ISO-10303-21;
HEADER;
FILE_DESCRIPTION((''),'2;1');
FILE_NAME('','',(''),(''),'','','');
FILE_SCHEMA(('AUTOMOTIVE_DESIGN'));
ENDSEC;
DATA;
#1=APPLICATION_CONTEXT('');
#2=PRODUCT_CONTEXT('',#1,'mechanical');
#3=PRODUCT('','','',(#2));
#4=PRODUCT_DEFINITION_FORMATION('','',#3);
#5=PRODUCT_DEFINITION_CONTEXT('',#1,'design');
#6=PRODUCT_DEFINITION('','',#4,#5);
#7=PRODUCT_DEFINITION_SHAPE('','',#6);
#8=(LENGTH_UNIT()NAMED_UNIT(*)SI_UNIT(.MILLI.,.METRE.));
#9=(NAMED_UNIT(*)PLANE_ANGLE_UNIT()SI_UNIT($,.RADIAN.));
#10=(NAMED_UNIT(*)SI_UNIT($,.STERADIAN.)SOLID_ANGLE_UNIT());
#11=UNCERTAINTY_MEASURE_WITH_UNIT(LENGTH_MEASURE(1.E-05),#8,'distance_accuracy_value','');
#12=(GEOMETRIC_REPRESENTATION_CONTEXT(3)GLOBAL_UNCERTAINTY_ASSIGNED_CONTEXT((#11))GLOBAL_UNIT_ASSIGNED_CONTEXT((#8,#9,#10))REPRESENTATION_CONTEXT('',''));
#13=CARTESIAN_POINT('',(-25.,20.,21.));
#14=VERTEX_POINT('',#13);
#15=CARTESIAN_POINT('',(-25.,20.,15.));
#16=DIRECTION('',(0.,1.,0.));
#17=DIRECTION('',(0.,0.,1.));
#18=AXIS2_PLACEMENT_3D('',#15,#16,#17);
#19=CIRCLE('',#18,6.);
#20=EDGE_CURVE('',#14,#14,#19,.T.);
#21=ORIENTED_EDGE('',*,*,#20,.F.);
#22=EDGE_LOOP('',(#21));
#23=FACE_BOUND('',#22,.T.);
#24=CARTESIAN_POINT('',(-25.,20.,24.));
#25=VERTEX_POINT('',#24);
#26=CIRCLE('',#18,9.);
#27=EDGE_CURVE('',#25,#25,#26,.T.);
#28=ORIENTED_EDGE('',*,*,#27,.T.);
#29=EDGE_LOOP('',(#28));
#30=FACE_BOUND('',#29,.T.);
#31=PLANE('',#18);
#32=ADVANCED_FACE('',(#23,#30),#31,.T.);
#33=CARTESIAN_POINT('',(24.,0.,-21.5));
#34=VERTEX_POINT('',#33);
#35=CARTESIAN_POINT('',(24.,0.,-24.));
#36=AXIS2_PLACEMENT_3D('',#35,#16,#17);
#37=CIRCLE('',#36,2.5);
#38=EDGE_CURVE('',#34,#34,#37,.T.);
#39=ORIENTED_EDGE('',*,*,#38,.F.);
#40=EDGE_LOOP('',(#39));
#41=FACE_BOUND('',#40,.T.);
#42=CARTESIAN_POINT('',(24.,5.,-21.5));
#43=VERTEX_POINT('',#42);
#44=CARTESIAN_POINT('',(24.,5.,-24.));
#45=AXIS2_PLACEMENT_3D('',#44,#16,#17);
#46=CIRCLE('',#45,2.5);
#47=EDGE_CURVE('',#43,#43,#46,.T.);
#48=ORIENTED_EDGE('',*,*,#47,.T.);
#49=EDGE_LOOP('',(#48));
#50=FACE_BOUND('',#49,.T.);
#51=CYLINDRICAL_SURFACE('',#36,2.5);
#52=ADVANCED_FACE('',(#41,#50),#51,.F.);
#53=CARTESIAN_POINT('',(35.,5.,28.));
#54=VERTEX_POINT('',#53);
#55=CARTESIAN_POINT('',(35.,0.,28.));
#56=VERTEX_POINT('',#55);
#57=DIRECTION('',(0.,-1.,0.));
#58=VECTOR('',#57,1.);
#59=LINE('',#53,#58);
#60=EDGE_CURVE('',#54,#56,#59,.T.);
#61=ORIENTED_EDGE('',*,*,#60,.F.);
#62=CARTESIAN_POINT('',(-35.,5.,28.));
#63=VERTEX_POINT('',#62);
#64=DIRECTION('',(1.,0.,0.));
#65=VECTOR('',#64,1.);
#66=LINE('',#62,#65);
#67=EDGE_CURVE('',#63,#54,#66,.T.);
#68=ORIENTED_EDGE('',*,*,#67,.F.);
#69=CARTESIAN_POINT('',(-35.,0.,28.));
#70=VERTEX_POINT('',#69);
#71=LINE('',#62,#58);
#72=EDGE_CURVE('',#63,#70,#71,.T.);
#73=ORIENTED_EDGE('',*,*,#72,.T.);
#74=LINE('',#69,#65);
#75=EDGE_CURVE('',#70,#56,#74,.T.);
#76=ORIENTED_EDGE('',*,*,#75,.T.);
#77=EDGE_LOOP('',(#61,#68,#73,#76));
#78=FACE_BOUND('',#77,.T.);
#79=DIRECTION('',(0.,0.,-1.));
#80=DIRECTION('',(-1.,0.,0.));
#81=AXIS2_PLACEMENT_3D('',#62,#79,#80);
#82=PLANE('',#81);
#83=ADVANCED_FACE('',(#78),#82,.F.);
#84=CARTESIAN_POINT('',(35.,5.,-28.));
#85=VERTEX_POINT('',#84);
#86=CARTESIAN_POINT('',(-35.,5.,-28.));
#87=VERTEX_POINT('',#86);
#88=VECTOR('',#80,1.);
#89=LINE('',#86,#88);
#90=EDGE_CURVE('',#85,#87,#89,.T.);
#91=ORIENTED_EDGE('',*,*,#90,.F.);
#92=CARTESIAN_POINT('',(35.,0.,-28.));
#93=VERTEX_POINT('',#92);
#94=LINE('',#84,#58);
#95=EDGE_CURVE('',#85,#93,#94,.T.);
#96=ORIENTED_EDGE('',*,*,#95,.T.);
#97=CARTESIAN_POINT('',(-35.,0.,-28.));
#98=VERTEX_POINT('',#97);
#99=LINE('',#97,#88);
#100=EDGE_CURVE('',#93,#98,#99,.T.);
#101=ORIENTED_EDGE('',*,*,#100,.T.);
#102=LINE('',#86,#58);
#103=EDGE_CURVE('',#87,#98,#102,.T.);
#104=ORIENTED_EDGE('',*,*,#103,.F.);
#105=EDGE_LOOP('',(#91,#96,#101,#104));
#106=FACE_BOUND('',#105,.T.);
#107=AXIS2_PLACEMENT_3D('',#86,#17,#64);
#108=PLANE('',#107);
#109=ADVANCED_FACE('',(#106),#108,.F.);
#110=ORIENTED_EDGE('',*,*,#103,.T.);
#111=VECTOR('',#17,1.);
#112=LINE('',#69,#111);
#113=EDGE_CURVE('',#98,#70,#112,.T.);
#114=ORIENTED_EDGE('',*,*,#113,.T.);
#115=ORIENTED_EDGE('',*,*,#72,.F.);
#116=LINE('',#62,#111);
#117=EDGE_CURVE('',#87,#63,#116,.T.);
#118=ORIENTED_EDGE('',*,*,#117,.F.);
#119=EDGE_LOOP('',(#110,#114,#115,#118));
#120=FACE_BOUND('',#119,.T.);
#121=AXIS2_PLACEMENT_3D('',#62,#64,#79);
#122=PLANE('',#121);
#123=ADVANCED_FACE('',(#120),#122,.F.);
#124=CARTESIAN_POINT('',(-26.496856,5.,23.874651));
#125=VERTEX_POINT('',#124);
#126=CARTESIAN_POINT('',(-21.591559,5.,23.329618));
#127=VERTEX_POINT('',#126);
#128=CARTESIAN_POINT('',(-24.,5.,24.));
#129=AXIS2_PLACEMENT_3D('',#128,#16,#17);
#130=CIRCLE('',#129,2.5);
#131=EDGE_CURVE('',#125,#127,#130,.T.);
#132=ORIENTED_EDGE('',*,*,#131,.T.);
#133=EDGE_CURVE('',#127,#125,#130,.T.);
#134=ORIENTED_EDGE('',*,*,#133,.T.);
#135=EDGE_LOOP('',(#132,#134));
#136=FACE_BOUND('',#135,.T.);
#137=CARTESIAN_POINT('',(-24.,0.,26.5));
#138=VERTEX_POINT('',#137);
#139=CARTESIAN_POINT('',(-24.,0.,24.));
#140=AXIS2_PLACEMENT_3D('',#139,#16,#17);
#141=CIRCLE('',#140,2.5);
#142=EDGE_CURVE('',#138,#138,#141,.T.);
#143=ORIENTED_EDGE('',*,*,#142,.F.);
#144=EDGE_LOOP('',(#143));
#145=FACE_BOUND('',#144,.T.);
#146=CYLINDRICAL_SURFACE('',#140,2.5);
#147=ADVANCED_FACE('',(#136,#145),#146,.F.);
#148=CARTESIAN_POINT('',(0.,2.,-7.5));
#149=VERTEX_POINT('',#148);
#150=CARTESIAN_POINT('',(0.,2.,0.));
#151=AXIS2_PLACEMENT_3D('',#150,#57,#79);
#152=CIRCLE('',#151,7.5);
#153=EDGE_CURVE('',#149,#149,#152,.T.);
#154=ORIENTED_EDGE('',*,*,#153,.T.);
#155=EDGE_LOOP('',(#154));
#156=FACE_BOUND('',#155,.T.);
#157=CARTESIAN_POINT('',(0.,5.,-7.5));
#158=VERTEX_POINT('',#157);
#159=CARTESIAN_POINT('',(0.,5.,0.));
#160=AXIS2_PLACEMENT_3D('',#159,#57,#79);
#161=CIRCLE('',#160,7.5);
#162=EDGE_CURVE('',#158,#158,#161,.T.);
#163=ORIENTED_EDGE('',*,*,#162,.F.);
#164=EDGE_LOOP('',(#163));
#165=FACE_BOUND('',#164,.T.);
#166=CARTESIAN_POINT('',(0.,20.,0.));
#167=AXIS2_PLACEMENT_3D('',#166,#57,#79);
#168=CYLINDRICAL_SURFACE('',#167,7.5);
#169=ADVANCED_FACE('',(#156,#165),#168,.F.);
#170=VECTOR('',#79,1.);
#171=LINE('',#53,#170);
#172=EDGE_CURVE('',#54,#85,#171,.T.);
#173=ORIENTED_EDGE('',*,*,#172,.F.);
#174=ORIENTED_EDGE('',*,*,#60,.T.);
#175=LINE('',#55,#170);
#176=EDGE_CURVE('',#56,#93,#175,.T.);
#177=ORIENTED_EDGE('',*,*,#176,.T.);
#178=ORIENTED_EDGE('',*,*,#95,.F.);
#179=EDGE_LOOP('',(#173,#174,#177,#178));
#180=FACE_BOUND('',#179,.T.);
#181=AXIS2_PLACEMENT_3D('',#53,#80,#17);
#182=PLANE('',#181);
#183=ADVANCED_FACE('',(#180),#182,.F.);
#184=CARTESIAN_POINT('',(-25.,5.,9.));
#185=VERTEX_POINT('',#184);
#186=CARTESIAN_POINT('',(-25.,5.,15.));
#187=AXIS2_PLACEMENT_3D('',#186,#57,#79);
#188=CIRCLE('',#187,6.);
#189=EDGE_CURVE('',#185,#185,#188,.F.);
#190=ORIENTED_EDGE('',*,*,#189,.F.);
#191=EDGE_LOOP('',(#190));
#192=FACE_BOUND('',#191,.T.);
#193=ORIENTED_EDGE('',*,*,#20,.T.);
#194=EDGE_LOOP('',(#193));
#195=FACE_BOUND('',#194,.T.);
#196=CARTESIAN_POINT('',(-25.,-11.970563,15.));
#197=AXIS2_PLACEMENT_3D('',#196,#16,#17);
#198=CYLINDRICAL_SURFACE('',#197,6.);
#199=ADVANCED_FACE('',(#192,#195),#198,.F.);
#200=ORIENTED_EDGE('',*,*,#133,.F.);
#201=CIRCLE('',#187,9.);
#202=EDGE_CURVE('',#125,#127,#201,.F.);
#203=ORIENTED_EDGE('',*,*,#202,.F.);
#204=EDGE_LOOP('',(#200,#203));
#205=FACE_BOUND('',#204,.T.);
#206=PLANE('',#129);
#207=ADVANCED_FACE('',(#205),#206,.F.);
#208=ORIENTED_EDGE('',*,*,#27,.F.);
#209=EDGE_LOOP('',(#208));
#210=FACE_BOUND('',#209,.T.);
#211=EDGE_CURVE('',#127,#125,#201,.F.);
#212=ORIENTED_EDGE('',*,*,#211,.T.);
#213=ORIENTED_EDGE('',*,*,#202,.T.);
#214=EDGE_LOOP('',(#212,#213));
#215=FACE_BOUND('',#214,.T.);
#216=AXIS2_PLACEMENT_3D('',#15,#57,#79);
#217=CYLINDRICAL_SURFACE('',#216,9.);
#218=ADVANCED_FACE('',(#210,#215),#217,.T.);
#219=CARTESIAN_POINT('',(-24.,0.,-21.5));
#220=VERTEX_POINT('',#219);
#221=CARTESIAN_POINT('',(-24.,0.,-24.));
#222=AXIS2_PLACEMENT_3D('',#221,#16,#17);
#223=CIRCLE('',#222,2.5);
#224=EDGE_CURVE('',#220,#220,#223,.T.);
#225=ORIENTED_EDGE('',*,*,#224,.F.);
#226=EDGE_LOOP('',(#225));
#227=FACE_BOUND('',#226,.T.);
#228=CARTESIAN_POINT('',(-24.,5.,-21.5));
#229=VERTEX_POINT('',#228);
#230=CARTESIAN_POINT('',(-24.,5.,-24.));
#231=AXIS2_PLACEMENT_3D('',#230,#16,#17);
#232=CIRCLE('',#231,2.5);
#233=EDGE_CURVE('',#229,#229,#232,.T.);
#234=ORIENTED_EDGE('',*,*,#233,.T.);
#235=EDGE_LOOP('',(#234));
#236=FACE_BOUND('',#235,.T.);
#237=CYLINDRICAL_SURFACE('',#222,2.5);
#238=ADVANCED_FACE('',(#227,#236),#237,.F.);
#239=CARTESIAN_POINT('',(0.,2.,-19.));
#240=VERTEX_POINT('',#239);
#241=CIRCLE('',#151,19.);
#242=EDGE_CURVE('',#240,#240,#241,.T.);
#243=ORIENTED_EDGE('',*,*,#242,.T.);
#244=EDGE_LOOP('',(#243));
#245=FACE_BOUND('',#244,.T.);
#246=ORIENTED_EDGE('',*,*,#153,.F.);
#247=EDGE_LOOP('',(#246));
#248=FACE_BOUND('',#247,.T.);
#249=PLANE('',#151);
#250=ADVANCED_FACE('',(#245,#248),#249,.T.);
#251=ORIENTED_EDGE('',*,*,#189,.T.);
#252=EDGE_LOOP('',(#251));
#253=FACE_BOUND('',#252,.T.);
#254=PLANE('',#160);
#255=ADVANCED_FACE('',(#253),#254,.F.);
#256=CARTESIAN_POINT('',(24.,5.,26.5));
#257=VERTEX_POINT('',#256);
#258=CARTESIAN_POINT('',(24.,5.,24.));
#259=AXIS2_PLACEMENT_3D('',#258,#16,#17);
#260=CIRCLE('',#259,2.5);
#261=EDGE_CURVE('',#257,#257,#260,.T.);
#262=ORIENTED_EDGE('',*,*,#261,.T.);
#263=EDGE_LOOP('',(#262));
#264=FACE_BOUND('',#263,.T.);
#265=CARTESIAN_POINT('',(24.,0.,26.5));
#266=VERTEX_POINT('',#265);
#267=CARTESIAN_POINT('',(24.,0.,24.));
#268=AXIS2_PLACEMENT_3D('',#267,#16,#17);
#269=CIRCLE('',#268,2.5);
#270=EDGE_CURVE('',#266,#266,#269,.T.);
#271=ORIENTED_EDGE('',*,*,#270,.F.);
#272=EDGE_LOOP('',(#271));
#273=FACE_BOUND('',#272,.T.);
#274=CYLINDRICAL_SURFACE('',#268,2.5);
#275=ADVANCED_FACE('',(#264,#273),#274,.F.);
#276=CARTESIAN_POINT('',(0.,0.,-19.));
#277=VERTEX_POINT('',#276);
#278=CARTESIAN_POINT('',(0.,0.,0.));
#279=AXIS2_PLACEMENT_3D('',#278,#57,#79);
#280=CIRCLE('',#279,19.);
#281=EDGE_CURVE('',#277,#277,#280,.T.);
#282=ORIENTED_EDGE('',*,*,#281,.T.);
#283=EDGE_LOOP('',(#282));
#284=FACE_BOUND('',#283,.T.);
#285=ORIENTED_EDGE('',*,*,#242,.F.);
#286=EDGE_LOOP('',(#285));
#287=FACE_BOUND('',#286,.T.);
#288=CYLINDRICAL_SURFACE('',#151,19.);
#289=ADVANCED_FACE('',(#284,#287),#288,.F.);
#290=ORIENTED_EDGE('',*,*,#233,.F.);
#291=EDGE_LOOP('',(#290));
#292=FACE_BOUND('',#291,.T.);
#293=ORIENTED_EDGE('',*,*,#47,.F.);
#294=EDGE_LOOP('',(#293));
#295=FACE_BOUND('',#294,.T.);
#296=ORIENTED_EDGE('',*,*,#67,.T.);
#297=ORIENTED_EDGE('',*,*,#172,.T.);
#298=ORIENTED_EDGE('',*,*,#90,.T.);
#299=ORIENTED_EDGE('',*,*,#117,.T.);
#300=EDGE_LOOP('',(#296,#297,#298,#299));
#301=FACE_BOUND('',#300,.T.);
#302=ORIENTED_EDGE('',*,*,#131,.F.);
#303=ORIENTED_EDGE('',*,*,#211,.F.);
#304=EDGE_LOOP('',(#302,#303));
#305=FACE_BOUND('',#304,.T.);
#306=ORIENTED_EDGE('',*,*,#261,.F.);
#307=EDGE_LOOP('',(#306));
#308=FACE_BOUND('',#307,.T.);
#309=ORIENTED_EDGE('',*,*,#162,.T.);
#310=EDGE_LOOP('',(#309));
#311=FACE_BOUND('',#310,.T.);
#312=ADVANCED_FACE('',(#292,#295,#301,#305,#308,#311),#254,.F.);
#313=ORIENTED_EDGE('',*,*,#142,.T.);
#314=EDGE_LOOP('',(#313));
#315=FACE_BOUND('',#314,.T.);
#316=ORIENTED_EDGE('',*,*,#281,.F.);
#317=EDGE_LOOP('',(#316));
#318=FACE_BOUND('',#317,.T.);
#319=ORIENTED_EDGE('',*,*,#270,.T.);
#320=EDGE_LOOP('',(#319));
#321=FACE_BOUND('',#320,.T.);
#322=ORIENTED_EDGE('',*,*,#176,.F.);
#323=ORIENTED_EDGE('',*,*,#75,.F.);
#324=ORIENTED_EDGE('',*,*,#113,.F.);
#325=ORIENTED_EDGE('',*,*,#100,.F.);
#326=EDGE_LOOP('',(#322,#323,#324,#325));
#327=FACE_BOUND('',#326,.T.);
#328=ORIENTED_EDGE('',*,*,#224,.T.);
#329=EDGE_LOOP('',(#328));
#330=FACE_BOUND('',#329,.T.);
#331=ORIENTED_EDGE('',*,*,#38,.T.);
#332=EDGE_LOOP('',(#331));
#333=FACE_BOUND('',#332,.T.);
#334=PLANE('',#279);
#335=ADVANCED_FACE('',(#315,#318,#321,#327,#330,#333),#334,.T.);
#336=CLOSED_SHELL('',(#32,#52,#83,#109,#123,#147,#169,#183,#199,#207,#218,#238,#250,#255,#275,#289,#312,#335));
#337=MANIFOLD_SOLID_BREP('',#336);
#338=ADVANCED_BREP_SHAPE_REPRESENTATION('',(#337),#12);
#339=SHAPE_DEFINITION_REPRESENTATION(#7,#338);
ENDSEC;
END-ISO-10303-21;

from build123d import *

# Parameters (mm, degrees)
SKETCH1_W               = 70
SKETCH1_H               = 56
BOSS_EXTRUDE1_DEPTH     = 5
SKETCH2_R               = 9
BOSS_EXTRUDE2_DEPTH     = 15
SKETCH4_R               = 19
CUT_EXTRUDE2_DEPTH      = 2
CUT_EXTRUDE3_DEPTH      = 49.301138703
CUT_EXTRUDE3_DEPTH_BACK = 49.301138703
SKETCH5_R               = 7.5
SKETCH6_R               = 6
CUT_EXTRUDE4_DEPTH      = 15
SKETCH7_R               = 2.5
CUT_EXTRUDE5_DEPTH      = 48.265209192


with BuildPart() as part:
    # Sketch1 → Boss-Extrude1 (new body)
    with BuildSketch(Plane(origin=(0, 0, 0), x_dir=(1, 0, 0), z_dir=(0, 1, 0))):
        Rectangle(SKETCH1_W, SKETCH1_H)
    extrude(amount=BOSS_EXTRUDE1_DEPTH)

    # Sketch2 → Boss-Extrude2 (add)
    with BuildSketch(Plane(origin=(0, 5, 0), x_dir=(1, 0, 0), z_dir=(0, 1, 0))):
        with Locations(Location((-25, -15, 0), (0, 0, 90))):
            Circle(SKETCH2_R)
    extrude(amount=BOSS_EXTRUDE2_DEPTH)

    # Sketch4 → Cut-Extrude2 (cut)
    with BuildSketch(Plane.XZ):
        with Locations(Location((0, 0, 0), (0, 0, 270))):
            Circle(SKETCH4_R)
    extrude(amount=-CUT_EXTRUDE2_DEPTH, mode=Mode.SUBTRACT)

    # Sketch5 → Cut-Extrude3 (cut, two sides: drawn at the far end of the back side and taken through both)
    with BuildSketch(Plane.XZ.offset(-2).offset(-CUT_EXTRUDE3_DEPTH_BACK)):
        with Locations(Location((0, 0, 0), (0, 0, 270))):
            Circle(SKETCH5_R)
    extrude(amount=CUT_EXTRUDE3_DEPTH + CUT_EXTRUDE3_DEPTH_BACK, mode=Mode.SUBTRACT)

    # Sketch6 → Cut-Extrude4 (cut)
    with BuildSketch(Plane(origin=(0, 20, 0), x_dir=(1, 0, 0), z_dir=(0, 1, 0))):
        with Locations(Location((-25, -15, 0), (0, 0, 270))):
            Circle(SKETCH6_R)
    extrude(amount=-CUT_EXTRUDE4_DEPTH, mode=Mode.SUBTRACT)

    # Sketch7 → Cut-Extrude5 (cut, through all)
    with BuildSketch(Plane(origin=(0, 5, 0), x_dir=(1, 0, 0), z_dir=(0, 1, 0))):
        with Locations(Location((-24, 24, 0), (0, 0, 270))):
            Circle(SKETCH7_R)
        with Locations(Location((24, 24, 0), (0, 0, 270))):
            Circle(SKETCH7_R)
        with Locations(Location((24, -24, 0), (0, 0, 270))):
            Circle(SKETCH7_R)
        with Locations(Location((-24, -24, 0), (0, 0, 270))):
            Circle(SKETCH7_R)
    extrude(amount=-CUT_EXTRUDE5_DEPTH, mode=Mode.SUBTRACT)


solid = part.part
